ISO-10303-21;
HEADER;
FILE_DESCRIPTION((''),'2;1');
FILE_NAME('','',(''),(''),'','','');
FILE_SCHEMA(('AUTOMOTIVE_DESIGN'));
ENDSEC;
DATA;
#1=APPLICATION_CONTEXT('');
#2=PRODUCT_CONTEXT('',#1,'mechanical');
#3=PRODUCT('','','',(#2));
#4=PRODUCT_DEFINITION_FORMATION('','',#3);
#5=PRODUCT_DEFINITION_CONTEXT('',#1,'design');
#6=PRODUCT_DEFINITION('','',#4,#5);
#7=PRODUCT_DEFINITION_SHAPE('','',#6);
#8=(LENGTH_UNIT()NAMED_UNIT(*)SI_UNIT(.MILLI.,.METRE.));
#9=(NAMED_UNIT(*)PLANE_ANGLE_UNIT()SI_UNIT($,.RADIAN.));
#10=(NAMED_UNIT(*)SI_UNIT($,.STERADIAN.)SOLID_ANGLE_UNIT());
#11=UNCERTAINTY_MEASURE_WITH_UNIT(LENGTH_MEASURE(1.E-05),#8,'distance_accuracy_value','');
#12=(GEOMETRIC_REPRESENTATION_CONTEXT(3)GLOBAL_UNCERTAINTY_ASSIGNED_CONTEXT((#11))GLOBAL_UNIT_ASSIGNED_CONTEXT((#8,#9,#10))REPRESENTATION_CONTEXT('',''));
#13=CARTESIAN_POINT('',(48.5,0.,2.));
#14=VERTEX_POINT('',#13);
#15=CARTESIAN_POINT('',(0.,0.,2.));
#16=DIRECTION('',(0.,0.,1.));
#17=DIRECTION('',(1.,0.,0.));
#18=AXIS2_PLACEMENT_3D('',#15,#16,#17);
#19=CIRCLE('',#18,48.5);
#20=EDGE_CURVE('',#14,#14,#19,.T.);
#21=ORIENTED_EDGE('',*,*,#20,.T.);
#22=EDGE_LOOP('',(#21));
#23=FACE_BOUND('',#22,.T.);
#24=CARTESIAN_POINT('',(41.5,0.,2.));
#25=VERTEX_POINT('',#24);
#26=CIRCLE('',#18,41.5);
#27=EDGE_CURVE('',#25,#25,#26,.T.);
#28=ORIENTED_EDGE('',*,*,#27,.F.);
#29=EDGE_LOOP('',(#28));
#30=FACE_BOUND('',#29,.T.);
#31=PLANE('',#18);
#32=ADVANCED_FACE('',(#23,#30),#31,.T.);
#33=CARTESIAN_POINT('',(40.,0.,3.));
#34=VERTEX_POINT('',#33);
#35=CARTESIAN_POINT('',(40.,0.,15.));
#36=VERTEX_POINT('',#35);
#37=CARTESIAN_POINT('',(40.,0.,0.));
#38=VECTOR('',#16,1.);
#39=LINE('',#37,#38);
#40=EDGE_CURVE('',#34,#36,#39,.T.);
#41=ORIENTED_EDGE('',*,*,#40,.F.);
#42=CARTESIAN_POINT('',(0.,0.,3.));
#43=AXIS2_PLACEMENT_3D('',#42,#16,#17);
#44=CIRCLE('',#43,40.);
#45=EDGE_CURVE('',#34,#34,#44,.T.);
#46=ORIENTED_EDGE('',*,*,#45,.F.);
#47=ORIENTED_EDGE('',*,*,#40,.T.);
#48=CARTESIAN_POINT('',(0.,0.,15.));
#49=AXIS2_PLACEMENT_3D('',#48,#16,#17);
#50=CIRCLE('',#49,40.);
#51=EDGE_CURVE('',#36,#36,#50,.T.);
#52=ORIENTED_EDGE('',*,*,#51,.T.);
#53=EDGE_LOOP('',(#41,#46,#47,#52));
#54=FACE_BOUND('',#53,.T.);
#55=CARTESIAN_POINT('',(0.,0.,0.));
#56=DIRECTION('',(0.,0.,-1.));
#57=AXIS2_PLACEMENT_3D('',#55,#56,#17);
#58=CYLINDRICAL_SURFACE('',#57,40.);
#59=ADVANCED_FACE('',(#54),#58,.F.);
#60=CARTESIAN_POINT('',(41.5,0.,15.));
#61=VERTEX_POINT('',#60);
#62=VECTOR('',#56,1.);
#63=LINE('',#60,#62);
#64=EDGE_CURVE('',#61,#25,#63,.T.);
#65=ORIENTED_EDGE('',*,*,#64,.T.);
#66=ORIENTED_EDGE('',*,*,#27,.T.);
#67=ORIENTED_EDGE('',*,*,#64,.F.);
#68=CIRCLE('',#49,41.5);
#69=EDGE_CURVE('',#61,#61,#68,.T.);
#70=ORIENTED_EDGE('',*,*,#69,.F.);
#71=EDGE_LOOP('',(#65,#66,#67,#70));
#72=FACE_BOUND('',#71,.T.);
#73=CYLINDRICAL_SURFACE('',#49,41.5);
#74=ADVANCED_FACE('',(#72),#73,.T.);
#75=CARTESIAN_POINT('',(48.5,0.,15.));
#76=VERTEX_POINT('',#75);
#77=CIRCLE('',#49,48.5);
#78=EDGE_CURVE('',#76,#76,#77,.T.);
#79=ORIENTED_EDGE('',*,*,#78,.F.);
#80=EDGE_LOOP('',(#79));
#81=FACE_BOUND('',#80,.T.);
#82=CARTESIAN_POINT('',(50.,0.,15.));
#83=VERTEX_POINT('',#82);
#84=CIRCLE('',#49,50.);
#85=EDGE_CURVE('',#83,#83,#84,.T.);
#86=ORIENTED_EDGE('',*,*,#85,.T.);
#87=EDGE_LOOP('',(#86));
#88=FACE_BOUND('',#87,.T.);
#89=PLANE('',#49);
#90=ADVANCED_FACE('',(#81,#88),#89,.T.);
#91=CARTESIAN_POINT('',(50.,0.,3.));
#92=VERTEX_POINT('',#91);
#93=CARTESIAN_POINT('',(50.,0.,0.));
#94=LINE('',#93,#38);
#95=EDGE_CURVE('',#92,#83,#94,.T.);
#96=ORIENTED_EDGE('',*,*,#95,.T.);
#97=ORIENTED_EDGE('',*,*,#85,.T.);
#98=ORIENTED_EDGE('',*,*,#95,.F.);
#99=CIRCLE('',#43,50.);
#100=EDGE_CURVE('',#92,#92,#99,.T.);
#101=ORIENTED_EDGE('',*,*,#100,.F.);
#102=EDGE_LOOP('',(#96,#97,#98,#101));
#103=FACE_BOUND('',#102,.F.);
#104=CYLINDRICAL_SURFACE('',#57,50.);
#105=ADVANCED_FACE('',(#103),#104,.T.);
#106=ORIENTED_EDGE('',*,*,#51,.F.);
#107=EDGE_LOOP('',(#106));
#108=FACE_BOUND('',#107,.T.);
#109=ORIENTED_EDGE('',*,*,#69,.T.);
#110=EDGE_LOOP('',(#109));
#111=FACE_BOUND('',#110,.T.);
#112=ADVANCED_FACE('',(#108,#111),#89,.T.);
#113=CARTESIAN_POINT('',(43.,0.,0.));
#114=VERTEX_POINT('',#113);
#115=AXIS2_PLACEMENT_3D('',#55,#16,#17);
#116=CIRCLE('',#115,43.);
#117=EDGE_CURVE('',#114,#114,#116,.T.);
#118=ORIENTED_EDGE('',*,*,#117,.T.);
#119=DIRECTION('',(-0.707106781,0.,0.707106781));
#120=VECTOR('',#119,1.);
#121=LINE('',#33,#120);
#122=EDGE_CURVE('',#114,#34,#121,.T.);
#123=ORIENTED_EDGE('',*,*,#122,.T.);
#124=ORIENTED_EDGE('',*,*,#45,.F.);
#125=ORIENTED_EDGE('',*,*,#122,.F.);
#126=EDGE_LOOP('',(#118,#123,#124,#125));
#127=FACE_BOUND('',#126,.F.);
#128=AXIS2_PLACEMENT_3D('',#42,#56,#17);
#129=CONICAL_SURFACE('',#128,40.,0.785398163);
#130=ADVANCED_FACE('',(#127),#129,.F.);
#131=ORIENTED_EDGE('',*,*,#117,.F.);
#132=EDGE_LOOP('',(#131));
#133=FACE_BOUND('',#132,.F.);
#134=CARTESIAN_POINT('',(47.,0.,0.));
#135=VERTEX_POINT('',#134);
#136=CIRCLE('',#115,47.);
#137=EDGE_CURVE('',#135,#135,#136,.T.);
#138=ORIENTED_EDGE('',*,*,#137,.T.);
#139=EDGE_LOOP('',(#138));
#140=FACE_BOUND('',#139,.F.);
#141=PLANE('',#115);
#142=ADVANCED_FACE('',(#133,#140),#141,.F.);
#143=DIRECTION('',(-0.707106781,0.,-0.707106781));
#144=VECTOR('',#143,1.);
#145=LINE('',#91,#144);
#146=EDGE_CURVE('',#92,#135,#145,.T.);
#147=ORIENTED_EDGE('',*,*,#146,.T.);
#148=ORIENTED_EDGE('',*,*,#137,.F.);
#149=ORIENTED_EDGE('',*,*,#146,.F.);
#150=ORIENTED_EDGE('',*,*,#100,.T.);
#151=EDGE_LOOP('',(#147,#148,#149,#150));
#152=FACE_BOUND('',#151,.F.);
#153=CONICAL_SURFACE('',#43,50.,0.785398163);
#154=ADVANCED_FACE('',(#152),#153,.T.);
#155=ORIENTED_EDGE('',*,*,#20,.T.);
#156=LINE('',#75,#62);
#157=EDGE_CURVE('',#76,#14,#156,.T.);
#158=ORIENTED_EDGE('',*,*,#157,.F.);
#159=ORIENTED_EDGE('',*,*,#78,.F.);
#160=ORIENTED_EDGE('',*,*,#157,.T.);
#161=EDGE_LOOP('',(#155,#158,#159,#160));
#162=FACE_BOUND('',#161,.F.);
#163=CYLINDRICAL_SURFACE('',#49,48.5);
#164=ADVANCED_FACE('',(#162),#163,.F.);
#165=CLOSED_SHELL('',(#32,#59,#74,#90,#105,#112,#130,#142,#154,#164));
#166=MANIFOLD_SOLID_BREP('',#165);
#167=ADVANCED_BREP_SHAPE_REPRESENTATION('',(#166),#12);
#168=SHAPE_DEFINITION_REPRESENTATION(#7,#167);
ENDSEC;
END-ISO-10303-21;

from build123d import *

# Parameters (mm, degrees)
F0_R     = 50
F0_R_2   = 40
F1_DEPTH = 15
F2_R     = 48.5
F2_R_2   = 41.5
F3_DEPTH = 13
F4_SIZE  = 3
F5_SIZE  = 3


with BuildPart() as f1:
    # F0 (on Top) → F1 (new body)
    with BuildSketch(Plane.XY):
        Circle(F0_R)
        Circle(F0_R_2, mode=Mode.SUBTRACT)
    extrude(amount=F1_DEPTH)

    # F2 (on face) → F3 (cut)
    with BuildSketch(Plane.XY.offset(15)):
        Circle(F2_R)
        Circle(F2_R_2, mode=Mode.SUBTRACT)
    extrude(amount=-F3_DEPTH, mode=Mode.SUBTRACT)

    # F4
    f4_edges = [f1.edges().sort_by_distance(p)[0] for p in [
        (-50, 0, 0),
    ]]
    chamfer(f4_edges, length=F4_SIZE)

    # F5
    f5_edges = [f1.edges().sort_by_distance(p)[0] for p in [
        (-40, 0, 0),
    ]]
    chamfer(f5_edges, length=F5_SIZE)


solid = f1.part
